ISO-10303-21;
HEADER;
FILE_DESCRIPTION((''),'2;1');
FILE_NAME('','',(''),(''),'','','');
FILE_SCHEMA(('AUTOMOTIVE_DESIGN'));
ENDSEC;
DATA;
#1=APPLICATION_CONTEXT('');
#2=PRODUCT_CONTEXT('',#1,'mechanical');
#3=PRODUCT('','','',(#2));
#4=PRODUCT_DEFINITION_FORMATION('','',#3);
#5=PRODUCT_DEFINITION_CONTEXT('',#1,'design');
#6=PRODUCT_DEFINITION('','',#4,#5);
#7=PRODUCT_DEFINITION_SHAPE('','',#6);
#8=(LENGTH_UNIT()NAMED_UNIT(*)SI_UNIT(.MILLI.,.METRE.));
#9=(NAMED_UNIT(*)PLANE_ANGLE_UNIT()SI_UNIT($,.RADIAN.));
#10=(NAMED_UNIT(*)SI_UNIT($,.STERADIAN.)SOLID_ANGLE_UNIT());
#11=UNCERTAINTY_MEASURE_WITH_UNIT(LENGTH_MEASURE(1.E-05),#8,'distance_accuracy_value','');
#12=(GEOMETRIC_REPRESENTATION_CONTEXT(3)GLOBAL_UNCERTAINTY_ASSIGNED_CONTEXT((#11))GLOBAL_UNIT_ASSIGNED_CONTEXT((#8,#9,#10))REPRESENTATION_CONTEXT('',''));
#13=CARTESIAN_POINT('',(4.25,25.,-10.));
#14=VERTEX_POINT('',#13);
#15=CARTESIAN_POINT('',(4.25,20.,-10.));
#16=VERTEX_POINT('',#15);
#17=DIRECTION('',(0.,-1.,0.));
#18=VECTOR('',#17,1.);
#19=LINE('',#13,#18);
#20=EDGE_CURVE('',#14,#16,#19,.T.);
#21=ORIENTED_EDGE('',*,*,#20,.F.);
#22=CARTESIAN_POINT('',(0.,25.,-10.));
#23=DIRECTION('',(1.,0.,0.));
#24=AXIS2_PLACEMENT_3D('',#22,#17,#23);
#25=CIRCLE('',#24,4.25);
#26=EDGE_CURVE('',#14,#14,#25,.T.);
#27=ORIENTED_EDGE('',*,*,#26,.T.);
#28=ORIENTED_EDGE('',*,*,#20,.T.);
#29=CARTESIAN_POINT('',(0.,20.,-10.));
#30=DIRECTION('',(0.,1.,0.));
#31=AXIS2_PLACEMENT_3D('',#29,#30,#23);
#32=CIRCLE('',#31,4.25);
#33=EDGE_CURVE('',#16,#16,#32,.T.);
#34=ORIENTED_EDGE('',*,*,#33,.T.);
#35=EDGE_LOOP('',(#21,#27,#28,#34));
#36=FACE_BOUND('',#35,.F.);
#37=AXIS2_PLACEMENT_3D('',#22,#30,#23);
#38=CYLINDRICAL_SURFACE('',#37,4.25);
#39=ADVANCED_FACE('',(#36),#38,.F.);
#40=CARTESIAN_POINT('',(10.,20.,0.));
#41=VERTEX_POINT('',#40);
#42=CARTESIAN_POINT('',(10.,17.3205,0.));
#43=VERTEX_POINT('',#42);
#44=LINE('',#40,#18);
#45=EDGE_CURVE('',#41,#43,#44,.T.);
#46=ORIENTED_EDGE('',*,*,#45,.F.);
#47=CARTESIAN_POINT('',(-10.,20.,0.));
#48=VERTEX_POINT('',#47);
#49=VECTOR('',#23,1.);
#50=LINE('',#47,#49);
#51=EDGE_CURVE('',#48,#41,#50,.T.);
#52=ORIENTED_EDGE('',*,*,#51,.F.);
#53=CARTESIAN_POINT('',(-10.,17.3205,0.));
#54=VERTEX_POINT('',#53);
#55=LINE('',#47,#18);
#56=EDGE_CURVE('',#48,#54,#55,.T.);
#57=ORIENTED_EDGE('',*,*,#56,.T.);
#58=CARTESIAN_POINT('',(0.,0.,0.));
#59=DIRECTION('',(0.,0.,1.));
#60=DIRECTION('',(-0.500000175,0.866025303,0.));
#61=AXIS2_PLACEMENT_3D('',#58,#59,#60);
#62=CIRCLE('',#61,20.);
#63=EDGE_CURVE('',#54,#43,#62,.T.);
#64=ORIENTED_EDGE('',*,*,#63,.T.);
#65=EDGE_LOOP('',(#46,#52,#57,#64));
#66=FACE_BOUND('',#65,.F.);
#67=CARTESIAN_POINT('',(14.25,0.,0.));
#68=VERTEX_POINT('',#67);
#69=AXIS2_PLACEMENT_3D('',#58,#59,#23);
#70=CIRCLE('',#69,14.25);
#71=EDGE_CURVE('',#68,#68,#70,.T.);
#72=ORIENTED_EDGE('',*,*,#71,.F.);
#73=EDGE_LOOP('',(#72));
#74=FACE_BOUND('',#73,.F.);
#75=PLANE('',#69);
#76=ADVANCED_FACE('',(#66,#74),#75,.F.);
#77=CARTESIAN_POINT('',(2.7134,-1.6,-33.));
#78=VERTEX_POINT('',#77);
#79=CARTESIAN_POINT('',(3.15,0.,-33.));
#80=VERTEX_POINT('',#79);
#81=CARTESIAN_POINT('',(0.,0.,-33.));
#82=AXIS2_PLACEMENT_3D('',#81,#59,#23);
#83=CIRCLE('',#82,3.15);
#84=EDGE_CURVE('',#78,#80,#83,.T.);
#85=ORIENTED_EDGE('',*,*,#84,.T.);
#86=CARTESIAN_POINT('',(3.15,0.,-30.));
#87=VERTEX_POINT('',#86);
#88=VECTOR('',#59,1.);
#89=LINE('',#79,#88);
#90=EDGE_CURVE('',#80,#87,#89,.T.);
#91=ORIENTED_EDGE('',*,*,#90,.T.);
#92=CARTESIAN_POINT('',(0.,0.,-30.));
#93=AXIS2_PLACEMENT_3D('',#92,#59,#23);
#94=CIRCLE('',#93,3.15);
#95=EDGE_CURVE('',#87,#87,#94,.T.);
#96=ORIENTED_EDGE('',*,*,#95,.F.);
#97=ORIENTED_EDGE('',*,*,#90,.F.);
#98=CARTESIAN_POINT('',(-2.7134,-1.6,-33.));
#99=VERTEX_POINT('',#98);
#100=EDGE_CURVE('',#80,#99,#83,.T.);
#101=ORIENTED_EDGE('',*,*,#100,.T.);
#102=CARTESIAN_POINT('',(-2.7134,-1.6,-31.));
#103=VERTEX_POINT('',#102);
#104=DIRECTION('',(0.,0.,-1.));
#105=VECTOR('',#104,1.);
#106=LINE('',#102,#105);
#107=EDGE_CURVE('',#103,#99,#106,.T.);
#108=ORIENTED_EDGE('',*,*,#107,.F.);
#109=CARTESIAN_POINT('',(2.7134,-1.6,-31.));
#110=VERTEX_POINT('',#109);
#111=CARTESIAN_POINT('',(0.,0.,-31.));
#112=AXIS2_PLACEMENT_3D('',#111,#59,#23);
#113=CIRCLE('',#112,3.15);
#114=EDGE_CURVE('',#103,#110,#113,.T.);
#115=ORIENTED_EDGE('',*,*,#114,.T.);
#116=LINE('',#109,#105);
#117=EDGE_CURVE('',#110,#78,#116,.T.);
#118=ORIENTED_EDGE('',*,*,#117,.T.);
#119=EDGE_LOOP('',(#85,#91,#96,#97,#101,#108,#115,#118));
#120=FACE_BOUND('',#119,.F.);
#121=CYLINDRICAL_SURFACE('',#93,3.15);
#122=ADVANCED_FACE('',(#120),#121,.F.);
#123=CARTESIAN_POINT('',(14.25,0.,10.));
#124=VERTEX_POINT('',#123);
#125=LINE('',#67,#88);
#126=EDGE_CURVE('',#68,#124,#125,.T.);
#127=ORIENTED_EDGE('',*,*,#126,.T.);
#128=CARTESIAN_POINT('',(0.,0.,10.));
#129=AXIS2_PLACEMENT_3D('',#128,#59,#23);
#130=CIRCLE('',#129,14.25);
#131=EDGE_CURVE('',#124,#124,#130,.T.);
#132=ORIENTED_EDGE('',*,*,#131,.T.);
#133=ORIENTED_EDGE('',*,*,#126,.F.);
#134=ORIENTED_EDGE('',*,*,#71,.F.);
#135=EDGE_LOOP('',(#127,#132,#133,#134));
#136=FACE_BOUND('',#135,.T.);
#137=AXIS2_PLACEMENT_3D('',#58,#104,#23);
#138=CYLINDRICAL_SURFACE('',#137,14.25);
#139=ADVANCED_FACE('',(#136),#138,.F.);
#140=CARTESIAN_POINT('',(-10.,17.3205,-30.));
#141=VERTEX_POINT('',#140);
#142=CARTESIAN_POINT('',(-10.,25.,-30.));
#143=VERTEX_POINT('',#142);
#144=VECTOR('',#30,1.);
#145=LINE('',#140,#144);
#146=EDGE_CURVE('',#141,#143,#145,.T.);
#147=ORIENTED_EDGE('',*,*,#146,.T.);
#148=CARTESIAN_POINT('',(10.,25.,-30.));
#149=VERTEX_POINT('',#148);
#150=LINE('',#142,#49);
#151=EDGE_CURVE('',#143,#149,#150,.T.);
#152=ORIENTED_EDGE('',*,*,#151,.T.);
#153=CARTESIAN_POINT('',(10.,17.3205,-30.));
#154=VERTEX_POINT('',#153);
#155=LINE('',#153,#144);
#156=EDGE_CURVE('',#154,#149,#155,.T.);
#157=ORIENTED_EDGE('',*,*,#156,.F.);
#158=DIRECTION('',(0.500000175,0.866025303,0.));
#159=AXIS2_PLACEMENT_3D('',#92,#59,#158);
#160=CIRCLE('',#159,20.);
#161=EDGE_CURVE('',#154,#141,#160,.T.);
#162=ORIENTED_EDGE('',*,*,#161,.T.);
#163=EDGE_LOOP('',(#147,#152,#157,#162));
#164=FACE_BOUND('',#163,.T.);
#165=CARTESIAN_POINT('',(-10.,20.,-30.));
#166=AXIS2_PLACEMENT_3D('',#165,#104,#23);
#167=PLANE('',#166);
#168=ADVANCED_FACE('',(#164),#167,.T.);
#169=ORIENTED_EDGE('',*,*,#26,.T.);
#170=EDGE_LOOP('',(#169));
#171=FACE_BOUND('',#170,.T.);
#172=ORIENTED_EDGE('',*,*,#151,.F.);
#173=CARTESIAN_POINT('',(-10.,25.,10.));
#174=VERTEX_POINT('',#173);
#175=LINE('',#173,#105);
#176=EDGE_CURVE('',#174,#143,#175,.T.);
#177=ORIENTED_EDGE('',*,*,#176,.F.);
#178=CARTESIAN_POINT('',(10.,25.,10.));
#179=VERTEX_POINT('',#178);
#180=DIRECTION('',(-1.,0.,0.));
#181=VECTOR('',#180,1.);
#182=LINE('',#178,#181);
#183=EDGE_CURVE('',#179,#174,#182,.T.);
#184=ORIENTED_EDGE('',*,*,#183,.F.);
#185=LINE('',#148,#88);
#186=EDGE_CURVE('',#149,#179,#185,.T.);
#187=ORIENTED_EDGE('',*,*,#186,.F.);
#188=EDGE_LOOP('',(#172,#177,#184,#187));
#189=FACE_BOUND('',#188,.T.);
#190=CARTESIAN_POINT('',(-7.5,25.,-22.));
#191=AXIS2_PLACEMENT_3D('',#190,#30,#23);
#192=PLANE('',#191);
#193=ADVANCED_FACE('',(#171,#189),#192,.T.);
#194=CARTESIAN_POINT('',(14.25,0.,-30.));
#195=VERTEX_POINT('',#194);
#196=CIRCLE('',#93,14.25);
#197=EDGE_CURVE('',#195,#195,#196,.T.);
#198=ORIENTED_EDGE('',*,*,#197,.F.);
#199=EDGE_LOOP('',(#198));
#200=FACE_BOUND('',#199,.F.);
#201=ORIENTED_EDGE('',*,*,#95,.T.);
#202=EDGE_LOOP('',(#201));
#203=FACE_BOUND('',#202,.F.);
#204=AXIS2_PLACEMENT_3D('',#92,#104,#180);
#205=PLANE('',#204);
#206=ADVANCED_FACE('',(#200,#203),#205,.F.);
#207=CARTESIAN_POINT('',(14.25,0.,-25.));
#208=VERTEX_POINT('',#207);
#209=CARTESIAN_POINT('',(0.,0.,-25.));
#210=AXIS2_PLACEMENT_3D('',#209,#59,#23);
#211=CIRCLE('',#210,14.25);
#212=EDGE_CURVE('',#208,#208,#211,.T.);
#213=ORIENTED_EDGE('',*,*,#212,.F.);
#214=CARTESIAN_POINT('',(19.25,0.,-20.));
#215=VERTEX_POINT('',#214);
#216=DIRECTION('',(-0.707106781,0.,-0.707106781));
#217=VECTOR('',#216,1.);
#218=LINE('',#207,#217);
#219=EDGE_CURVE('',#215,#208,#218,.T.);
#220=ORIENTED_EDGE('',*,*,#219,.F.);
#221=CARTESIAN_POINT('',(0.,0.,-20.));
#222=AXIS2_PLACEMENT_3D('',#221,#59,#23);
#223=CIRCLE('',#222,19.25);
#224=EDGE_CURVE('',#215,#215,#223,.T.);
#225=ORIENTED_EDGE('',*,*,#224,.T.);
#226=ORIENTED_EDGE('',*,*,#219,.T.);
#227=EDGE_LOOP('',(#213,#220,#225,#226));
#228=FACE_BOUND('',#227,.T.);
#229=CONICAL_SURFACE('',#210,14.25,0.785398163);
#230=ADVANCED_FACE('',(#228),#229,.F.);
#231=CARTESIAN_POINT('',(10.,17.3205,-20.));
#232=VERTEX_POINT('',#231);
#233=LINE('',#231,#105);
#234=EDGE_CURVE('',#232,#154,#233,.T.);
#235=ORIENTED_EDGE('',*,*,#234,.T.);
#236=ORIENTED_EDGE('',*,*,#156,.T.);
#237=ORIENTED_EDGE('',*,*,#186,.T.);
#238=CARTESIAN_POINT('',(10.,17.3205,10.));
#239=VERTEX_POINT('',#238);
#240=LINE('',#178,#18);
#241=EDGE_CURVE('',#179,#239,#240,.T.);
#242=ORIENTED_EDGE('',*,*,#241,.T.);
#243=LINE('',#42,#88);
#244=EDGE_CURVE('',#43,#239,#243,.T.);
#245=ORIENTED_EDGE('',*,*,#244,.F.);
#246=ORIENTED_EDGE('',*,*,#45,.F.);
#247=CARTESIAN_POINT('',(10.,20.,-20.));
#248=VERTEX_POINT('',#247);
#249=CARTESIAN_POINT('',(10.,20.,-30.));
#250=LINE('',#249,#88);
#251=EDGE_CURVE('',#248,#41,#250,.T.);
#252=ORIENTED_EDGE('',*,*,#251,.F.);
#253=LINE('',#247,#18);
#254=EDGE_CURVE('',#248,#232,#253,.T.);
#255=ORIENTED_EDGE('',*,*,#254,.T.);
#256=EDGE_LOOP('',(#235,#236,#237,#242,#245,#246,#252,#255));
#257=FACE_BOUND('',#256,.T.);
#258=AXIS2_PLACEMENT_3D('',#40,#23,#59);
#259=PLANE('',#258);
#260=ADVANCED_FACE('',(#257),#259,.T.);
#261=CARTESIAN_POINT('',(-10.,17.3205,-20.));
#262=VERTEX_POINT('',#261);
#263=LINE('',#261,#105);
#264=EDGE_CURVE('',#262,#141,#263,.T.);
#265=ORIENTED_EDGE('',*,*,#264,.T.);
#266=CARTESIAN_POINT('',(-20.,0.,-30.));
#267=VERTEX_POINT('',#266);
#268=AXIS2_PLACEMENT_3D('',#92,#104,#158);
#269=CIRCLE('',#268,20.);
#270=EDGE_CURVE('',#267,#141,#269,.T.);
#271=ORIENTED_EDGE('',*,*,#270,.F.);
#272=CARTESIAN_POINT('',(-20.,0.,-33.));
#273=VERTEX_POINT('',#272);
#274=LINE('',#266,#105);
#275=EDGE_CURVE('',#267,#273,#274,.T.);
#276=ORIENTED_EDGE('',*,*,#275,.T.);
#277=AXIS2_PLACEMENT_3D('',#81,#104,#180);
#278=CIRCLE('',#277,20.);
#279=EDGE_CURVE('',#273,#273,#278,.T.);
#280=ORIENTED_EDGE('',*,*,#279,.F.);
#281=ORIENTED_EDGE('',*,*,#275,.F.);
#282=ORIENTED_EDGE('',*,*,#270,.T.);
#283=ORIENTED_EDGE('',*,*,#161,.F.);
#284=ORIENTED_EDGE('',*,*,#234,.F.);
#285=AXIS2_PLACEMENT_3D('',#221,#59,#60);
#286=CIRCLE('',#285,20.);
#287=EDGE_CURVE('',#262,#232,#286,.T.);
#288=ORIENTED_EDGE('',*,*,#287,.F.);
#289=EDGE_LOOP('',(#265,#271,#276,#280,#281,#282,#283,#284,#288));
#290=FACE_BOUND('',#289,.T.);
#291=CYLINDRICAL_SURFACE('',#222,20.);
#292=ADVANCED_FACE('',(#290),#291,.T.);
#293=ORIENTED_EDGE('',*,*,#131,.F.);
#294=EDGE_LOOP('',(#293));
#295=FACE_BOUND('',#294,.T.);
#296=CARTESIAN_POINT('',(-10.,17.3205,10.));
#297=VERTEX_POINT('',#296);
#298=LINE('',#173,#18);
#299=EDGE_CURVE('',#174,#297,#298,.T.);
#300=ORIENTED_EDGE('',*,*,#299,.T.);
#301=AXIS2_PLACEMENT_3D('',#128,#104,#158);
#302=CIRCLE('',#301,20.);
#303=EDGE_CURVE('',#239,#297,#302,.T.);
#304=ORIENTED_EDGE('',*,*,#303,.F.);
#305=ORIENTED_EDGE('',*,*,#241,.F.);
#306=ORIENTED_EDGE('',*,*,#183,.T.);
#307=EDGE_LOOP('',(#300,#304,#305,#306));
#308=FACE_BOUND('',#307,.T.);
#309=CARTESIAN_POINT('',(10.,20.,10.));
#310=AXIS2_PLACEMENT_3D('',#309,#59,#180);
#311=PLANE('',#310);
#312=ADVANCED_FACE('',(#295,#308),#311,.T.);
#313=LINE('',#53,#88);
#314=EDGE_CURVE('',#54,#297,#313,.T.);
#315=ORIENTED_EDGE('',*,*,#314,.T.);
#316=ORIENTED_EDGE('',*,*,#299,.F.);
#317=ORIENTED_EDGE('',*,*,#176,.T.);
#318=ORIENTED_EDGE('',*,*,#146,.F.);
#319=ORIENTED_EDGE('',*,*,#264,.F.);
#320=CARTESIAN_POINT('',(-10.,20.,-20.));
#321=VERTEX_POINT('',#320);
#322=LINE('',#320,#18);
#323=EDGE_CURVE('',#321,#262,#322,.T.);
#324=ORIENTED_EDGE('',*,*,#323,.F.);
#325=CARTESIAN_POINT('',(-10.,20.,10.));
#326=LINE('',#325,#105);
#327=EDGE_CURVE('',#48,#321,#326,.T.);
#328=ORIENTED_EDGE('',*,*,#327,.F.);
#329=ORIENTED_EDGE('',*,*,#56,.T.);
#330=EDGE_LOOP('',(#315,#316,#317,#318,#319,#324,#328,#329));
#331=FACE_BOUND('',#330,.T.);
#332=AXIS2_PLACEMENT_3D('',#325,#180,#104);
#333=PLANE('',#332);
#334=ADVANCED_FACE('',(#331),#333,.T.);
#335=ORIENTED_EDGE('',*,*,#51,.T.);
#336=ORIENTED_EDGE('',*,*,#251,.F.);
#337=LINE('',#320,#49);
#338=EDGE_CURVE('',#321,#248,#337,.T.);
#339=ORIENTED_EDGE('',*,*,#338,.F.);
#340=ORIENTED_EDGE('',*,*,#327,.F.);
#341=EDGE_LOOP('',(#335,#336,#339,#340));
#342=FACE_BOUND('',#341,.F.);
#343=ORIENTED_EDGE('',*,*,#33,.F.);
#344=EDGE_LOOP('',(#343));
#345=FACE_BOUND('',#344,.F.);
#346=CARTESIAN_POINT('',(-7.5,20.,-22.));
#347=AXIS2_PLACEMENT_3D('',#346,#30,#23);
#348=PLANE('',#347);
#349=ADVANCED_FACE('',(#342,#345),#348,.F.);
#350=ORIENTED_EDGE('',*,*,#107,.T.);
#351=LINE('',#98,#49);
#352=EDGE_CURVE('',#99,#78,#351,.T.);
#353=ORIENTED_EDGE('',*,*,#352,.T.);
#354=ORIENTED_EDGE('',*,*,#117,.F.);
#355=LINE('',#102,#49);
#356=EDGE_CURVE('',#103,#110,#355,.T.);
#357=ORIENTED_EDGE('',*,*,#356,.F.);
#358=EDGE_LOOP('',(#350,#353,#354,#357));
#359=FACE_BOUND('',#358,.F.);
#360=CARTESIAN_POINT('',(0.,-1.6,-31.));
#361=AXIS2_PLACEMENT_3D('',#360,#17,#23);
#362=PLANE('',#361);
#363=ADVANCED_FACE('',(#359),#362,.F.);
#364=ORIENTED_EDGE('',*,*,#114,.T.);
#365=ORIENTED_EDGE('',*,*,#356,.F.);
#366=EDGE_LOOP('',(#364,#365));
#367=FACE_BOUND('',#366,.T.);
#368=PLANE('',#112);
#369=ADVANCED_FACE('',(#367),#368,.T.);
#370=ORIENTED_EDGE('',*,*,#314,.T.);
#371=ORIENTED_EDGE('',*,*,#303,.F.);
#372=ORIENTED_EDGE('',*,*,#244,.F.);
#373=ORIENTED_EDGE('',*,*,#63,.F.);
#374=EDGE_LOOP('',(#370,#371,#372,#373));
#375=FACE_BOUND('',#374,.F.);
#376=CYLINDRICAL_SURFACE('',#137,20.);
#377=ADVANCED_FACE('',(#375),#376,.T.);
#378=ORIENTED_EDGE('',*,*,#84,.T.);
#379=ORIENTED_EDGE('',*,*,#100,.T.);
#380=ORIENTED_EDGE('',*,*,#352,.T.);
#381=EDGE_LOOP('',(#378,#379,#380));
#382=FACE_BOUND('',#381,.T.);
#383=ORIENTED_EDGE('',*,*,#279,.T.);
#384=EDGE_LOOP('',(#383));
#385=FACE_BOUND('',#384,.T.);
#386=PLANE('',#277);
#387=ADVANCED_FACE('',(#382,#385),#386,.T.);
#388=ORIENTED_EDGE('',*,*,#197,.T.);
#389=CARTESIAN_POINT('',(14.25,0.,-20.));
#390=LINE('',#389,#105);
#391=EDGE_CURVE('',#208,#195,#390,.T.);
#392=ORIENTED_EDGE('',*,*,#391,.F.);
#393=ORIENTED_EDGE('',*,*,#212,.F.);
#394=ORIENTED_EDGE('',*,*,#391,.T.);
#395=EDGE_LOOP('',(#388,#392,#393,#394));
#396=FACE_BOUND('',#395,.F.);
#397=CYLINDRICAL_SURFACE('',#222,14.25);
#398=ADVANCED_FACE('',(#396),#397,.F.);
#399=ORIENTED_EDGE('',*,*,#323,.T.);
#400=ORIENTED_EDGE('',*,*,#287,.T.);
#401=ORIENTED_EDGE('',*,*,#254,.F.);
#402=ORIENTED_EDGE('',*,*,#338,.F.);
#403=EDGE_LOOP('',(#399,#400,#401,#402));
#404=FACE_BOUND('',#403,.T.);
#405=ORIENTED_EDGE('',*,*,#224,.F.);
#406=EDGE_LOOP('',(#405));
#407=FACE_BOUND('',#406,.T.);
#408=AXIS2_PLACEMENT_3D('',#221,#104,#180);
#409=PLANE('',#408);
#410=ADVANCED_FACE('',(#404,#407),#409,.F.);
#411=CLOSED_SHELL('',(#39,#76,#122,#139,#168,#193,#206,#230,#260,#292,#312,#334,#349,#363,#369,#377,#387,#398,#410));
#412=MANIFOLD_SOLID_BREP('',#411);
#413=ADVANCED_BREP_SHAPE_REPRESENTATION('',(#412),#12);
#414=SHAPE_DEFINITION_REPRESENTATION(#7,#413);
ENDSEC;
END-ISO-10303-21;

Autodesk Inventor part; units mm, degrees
ref_plane "YZ Plane" through (0, 0, 0) normal (1, 0, 0) x (0, 1, 0)
ref_plane "XZ Plane" through (0, 0, 0) normal (0, 1, 0) x (-1, 0, 0)
ref_plane "XY Plane" through (0, 0, 0) normal (0, 0, 1) x (1, 0, 0)
sketch "Sketch1" plane through (0, 0, 0) normal (0, 0, 1) x (1, 0, 0)
  circle A0 centre (0, 0) radius 14.25
  circle A1 centre (0, 0) radius 20
  line L0 (0, 20) -> (10, 20)
  line L1 (10, 20) -> (10, 17.3205)
  line L2 (0, 20) -> (0, 20)
  line L3 (0, 20) -> (-10, 20)
  line L4 (-10, 20) -> (-10, 17.3205)
  point P0 (-20, 0)
  point P1 (20, 0)
  dimension "d0" = 28.5
  dimension "d1" = 40
  dimension "d25" = 10
  dimension "d31" = 10
  dimension "d32" = 0
extrude "Extrusion1" add sketch "Sketch1" along normal blind 10
ref_plane "Work Plane1" through (0, 0, -10) normal (0, 0, 1) x (1, 0, 0)
mirror "Mirror1" about plane through (0, 0, -10) normal (0, 0, 1) of "Extrusion1"
sketch "Sketch2" plane through (0, 0, -30) normal (0, 0, -1) x (-1, 0, 0)
  circle A0 centre (0, 0) radius 14.25 projected
  circle A1 centre (0, 0) radius 20
  dimension "d11" = 40
extrude "Extrusion2" add sketch "Sketch2" along normal blind 3 contours A0 | A1
sketch "Sketch3" plane through (0, 0, -30) normal (0, 0, 1) x (1, 0, 0)
  circle A0 centre (0, 0) radius 3.15
  dimension "d14" = 6.3
extrude "Extrusion3" cut sketch "Sketch3" against normal blind 1
sketch "Sketch4" plane through (0, 0, -31) normal (0, 0, 1) x (1, 0, 0)
  circle A0 centre (0, 0) radius 3.15
  line L0 (0, 0) -> (0, -1.6)
  line L1 (0, -1.6) -> (-2.7134, -1.6)
  line L2 (0, -1.6) -> (2.7134, -1.6)
  dimension "d17" = 6.3
  dimension "d18" = 1.6
extrude "Extrusion4" cut sketch "Sketch4" against normal through all contours A0 L2 L1 picked at (-0.0447, 1.5505)
sketch "Sketch6" plane through (-7.5, 20, -22) normal (0, 1, 0) x (1, 0, 0)
  line L0 (17.5, 8) -> (17.5, 8) projected
  line L1 (17.5, -22) -> (17.5, -32) projected
  line L2 (-2.5, 8) -> (17.5, 8)
  line L3 (17.5, 8) -> (17.5, -32)
  line L4 (17.5, -32) -> (-2.5, -32)
  line L5 (-2.5, -32) -> (-2.5, 8)
  point P0 (7.5, -22)
extrude "Extrusion6" add sketch "Sketch6" along normal blind 5
sketch "Sketch7" plane through (-7.5, 25, -22) normal (0, 1, 0) x (1, 0, 0)
  line L0 (21.75, -32) -> (-6.75, -32) projected
  line L1 (7.5, -32) -> (7.5, 8)
  line L2 (10.65, 8) -> (4.35, 8) projected
  circle A0 centre (7.5, -12) radius 4.25
  point P0 (7.5, -22)
  dimension "d28" = 8.5
extrude "Extrusion7" cut sketch "Sketch7" against normal up to next
chamfer "Chamfer1" distance 5 angle 45 1 edges at (-14.25, 0, -20)
equation "\"d4\" = d25"
equation "\"BendRadius\" = Thickness"
equation "\"BendReliefWidth\" = Thickness"
equation "\"BendReliefDepth\" = 0.5 * Thickness"
equation "\"CornerReliefSize\" = 4 * Thickness"
equation "\"MinimumRemnant\" = 2 * Thickness"
equation "\"TransitionRadius\" = BendRadius"
equation "\"JacobiRadiusSize\" = BendRadius"
equation "\"GapSize\" = Thickness"
equation "\"Thickness\" = 0.5"
properties part number "baseRotor1"
